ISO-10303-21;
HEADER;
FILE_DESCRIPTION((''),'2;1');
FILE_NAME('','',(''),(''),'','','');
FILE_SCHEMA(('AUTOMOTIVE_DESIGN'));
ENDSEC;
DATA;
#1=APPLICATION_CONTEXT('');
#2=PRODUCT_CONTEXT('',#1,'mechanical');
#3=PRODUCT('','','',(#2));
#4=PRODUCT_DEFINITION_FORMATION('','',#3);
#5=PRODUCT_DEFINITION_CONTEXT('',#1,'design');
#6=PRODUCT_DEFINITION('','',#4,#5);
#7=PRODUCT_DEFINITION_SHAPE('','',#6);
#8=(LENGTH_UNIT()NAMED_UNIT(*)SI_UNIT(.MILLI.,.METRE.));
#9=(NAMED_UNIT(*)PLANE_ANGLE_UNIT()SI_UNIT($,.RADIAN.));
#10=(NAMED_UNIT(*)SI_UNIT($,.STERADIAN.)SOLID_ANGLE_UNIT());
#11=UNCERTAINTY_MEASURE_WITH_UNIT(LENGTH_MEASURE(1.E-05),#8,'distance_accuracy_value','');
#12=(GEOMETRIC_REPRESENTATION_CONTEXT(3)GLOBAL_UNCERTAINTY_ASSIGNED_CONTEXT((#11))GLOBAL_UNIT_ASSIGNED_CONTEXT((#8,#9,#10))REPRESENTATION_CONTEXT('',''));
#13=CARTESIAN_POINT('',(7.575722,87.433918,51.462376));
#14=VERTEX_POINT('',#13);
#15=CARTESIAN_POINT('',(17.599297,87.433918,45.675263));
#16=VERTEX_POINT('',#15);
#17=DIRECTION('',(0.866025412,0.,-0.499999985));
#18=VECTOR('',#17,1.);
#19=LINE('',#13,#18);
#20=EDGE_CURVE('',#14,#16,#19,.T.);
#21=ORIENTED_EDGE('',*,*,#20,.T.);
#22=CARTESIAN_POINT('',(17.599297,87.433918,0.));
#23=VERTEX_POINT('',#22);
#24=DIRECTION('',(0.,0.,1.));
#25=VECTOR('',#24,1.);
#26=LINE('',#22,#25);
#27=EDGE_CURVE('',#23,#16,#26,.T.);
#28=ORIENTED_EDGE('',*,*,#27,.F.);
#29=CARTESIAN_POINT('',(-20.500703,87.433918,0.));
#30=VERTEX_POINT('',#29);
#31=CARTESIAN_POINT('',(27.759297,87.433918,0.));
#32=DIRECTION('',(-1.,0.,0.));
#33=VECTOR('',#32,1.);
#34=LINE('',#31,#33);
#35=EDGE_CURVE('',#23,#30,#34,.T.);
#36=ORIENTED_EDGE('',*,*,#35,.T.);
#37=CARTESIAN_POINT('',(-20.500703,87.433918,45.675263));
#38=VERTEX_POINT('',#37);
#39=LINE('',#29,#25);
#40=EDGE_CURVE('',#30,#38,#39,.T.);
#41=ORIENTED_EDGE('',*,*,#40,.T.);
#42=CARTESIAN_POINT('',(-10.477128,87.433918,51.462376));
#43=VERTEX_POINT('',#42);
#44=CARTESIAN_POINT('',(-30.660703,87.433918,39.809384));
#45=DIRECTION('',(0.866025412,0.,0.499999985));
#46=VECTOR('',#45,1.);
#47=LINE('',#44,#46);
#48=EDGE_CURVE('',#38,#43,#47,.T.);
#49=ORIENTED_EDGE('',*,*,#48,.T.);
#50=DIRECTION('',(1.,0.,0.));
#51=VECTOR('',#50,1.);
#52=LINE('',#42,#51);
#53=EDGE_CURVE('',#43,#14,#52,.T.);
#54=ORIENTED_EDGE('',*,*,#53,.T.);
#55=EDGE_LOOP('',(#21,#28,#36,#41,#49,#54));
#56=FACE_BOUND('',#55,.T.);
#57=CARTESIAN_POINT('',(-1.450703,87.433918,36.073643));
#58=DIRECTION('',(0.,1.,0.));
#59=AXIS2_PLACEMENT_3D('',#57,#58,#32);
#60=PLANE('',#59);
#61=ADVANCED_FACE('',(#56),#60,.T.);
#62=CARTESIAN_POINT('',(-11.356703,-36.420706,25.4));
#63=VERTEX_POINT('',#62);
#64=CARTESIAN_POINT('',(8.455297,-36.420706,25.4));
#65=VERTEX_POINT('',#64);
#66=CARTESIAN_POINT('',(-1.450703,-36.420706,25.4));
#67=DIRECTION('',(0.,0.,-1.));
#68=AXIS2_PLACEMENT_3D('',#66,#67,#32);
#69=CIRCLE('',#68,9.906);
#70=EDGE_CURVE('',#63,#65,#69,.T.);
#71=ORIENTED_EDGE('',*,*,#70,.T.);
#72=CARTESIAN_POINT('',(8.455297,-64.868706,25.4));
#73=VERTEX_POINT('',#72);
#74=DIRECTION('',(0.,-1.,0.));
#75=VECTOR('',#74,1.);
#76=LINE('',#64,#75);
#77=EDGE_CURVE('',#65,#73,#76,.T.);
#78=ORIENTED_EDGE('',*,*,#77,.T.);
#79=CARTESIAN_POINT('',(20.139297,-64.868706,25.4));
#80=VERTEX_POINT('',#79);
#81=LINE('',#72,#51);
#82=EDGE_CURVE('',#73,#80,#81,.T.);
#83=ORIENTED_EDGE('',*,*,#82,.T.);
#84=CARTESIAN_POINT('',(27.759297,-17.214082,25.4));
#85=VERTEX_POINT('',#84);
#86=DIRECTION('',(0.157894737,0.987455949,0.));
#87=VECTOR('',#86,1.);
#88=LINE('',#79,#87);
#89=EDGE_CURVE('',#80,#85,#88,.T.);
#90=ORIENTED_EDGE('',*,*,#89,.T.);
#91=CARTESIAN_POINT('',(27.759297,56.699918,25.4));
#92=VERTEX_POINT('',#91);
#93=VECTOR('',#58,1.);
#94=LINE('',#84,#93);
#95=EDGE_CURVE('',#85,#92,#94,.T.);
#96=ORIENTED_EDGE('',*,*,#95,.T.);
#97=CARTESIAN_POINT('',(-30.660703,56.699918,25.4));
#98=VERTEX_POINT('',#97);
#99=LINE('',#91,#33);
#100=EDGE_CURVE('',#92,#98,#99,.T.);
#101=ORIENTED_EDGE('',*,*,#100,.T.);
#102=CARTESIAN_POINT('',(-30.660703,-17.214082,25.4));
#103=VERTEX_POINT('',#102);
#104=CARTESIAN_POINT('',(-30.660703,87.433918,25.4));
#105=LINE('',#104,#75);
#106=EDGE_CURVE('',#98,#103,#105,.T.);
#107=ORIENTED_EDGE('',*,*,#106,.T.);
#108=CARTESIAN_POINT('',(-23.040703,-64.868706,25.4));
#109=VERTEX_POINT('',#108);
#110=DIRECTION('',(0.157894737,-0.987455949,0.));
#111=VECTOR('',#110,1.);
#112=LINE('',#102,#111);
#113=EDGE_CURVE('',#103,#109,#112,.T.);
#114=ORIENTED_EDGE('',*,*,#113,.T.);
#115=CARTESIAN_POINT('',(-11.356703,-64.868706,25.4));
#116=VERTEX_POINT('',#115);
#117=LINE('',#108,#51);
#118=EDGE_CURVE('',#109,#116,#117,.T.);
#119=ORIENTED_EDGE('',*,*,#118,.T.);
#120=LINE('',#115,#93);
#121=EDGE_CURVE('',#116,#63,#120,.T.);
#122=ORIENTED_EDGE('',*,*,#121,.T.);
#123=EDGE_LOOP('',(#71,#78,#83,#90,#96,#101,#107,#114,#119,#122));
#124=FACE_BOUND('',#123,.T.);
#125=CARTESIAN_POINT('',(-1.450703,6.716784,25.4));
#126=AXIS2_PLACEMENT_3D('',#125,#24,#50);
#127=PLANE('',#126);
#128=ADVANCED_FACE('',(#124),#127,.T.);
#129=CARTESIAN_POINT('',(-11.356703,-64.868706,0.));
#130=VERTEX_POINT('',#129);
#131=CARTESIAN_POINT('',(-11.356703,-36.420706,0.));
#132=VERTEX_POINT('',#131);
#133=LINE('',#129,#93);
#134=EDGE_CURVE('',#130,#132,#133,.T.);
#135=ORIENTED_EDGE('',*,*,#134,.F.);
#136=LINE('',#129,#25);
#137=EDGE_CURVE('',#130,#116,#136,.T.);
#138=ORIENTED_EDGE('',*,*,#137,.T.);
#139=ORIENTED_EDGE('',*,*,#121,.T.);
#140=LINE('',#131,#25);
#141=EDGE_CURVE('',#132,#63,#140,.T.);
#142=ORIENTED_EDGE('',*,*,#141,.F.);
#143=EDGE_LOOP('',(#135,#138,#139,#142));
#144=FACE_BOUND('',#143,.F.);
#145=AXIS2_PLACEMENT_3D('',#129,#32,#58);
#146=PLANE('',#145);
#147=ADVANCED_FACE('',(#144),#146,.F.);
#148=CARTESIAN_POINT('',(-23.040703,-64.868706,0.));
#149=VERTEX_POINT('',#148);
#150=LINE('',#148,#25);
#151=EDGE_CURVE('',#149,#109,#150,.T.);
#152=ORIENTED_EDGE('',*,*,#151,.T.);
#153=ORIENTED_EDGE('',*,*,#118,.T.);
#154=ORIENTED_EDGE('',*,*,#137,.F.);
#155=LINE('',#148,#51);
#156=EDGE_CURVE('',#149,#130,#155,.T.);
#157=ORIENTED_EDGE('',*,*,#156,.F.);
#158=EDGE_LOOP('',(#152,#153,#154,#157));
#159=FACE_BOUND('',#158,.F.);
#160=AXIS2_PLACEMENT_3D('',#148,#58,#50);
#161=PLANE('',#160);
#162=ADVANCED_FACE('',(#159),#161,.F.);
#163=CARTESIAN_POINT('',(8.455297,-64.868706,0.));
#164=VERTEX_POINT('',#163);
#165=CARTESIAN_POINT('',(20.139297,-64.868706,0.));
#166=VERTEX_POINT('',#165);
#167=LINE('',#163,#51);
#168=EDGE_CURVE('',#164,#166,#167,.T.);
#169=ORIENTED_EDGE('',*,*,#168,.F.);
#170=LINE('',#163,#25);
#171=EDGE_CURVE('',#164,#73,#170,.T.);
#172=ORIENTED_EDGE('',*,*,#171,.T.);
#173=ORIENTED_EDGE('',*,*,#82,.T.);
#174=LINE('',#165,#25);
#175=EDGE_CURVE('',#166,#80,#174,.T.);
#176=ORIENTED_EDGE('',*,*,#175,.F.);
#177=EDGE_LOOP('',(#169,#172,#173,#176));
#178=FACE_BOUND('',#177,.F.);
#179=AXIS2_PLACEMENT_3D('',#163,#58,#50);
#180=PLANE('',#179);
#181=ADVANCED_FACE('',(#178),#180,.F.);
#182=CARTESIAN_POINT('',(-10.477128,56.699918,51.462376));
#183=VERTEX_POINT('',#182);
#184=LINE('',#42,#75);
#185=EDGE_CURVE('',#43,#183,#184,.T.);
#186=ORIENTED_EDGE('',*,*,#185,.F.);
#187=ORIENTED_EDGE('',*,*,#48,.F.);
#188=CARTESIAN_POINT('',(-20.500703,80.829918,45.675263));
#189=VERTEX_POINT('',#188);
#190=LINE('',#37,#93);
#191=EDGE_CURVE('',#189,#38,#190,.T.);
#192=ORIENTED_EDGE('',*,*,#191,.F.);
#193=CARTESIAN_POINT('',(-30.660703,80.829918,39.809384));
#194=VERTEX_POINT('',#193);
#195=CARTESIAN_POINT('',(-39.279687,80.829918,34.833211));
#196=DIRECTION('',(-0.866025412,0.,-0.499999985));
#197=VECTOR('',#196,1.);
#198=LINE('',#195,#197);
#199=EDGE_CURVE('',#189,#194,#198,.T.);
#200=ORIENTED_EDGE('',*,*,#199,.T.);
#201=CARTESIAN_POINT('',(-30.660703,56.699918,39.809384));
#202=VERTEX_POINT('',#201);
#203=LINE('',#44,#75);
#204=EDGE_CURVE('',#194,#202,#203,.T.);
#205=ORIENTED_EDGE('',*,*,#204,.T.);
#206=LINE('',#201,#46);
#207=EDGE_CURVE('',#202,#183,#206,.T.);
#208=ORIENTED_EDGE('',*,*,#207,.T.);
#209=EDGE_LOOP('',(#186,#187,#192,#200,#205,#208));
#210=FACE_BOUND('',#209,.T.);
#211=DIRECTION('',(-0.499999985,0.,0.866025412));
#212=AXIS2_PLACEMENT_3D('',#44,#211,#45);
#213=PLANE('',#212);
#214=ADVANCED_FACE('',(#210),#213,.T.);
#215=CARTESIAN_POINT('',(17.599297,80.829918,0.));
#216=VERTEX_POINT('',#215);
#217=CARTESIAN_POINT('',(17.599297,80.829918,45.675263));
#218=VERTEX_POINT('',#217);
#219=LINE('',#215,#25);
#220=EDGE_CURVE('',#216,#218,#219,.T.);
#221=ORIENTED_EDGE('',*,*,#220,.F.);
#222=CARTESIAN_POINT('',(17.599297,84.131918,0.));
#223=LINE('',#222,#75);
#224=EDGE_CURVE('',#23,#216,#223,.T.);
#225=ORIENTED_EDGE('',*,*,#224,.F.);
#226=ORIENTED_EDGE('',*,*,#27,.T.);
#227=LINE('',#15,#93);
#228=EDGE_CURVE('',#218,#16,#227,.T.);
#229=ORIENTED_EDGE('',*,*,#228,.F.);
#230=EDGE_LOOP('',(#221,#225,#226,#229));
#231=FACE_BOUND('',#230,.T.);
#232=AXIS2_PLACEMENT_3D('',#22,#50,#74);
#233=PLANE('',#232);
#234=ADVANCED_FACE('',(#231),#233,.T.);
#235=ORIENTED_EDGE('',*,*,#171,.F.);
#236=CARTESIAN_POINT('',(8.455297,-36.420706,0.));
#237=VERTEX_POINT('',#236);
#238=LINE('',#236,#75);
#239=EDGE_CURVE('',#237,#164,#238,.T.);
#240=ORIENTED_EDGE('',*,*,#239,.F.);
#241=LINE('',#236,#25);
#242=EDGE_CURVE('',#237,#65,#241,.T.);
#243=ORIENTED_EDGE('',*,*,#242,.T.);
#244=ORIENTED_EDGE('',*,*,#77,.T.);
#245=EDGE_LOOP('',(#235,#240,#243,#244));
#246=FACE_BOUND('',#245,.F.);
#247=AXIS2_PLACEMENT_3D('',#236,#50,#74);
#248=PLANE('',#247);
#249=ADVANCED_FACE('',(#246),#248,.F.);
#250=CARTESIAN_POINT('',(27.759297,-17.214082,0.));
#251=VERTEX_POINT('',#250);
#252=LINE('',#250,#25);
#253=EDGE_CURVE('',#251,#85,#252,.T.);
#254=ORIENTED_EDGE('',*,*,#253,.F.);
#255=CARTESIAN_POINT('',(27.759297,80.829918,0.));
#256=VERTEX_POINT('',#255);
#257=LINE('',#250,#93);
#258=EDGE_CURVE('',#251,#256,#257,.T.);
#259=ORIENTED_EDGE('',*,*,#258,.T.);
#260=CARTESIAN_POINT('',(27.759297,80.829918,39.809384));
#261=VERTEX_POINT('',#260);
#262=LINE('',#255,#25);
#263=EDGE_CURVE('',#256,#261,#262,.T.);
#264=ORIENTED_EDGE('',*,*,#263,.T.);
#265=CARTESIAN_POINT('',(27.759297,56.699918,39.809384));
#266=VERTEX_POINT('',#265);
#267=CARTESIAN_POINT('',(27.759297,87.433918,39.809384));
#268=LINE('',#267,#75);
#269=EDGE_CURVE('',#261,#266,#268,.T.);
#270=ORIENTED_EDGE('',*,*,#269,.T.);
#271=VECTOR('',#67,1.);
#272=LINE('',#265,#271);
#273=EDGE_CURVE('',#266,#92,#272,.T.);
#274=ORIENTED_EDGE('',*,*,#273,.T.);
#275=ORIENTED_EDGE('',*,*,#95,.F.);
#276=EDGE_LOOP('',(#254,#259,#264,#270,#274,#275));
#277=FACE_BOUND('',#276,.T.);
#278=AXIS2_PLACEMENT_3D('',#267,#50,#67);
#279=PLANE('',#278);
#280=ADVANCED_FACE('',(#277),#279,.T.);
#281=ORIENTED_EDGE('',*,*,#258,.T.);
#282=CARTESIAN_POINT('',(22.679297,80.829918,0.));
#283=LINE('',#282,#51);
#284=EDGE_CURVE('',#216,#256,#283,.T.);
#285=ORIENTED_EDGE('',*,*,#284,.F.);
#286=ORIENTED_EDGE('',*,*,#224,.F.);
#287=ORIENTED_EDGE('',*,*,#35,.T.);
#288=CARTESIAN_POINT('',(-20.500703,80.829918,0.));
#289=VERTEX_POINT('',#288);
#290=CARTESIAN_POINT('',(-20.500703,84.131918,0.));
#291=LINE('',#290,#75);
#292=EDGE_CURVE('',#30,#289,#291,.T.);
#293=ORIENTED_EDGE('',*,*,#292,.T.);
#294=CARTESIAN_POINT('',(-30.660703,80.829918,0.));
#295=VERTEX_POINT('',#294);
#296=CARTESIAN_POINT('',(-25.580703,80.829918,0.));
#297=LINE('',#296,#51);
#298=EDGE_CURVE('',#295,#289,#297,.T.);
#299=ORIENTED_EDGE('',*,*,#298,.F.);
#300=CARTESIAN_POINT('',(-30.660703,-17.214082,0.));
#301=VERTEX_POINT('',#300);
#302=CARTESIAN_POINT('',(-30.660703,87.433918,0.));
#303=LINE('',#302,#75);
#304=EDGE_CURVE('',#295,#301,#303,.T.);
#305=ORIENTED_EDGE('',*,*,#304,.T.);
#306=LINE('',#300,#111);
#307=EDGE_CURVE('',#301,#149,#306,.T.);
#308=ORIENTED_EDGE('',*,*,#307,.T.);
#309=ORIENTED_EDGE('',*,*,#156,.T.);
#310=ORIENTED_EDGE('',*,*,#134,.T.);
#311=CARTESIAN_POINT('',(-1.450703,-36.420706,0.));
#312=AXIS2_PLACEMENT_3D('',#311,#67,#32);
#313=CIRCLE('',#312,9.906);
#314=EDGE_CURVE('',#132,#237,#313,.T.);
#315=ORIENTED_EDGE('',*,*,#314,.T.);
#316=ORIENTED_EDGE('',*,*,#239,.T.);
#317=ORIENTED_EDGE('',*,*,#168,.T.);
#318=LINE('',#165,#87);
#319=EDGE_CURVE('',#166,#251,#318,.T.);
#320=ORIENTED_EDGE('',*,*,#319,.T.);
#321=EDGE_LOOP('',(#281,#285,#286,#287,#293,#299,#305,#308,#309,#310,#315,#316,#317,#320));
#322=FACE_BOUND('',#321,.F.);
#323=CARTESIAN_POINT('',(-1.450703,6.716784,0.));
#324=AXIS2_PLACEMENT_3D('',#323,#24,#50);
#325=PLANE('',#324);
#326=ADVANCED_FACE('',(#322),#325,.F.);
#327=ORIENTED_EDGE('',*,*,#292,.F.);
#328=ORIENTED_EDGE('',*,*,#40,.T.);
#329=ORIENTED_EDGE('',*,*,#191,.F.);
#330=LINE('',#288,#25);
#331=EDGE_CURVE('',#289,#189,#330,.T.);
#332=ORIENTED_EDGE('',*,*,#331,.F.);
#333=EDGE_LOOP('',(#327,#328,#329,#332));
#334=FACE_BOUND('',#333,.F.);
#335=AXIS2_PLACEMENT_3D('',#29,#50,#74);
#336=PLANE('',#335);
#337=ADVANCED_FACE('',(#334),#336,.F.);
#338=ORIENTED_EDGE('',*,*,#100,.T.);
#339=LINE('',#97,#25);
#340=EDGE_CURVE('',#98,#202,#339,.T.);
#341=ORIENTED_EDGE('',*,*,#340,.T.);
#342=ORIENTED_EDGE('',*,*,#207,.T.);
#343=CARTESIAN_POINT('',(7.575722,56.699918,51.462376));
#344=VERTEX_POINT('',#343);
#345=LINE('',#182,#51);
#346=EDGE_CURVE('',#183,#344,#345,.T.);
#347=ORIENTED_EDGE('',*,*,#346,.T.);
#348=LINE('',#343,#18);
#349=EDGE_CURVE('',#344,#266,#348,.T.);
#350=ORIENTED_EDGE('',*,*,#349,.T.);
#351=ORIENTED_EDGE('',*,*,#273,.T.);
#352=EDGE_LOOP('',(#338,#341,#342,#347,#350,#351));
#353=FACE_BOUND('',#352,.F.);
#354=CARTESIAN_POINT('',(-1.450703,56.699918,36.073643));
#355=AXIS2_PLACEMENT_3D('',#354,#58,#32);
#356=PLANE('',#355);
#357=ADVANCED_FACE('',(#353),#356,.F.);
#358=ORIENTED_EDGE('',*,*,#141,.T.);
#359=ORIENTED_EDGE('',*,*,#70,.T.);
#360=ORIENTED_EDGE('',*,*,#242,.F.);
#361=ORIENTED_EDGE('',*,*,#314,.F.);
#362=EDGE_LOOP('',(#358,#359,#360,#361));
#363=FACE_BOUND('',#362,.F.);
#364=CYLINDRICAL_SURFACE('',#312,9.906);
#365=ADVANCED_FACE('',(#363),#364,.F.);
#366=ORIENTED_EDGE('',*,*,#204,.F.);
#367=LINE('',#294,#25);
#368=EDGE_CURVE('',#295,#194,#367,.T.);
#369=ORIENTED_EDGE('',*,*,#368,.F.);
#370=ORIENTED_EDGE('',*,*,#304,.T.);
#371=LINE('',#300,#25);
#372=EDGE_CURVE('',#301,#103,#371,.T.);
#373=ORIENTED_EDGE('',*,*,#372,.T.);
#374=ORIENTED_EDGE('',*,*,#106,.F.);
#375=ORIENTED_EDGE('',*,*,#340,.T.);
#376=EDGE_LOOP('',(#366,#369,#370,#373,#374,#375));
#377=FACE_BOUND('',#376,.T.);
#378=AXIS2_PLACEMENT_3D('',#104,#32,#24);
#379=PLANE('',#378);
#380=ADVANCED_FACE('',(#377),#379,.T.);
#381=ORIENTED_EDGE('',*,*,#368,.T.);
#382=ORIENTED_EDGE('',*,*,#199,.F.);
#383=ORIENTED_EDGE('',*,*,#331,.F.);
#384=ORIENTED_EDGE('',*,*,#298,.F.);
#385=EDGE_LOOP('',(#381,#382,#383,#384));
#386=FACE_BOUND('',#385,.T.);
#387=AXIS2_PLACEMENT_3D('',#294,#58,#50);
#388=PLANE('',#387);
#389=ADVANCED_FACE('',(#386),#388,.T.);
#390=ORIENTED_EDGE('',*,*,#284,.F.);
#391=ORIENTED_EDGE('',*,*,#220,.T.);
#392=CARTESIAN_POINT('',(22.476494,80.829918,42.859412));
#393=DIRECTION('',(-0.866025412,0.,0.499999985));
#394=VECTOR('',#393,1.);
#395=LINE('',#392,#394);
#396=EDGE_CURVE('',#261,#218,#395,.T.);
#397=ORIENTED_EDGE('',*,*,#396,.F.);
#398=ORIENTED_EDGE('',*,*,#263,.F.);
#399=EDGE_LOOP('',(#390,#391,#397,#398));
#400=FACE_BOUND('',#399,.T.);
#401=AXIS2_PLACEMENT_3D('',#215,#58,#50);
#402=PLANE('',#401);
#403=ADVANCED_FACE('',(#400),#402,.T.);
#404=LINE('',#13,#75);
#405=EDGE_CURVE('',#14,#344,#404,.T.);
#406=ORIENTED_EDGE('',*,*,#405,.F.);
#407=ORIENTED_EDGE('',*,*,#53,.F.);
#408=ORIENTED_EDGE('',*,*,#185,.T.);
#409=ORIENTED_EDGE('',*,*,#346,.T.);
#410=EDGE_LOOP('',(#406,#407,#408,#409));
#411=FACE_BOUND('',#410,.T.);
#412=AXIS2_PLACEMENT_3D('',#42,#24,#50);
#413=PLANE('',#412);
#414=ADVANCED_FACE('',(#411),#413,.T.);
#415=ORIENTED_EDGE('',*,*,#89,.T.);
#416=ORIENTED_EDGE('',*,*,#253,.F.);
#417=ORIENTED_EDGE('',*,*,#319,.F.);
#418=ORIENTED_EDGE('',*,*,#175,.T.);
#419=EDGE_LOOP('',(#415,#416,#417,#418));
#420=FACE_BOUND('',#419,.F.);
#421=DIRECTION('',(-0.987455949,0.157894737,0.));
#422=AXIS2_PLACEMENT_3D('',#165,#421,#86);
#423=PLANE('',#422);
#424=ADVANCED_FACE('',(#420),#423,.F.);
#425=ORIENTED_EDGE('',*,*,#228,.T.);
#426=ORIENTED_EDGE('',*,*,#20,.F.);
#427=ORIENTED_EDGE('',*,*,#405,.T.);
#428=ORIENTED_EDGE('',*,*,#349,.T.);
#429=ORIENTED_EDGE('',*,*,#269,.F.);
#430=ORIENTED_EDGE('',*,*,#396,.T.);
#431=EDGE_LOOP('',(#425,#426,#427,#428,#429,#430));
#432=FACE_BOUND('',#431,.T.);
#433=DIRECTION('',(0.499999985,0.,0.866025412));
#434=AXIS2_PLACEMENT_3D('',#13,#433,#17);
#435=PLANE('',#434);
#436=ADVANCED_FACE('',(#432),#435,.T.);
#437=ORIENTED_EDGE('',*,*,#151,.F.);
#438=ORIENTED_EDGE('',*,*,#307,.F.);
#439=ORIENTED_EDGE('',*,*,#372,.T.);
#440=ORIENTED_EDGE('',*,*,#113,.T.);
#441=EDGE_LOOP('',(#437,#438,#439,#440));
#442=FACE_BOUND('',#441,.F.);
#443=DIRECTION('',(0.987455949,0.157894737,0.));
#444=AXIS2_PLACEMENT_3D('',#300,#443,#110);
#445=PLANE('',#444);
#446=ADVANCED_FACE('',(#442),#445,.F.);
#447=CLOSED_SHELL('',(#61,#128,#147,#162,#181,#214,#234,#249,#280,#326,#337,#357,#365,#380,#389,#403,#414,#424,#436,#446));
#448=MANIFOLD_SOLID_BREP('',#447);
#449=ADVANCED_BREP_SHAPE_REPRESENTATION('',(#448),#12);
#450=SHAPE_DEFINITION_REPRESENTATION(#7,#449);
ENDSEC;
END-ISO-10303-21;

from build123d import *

# Parameters (mm, degrees)
F1_DEPTH = 25.4
F3_DEPTH = 30.734
F4_W     = 10.16
F4_H     = 6.604
F5_DEPTH = 51.463376
F6_W     = 10.16
F6_H     = 6.604
F7_DEPTH = 51.463376


with BuildPart() as f1:
    # F0 (on Top) → F1 (new body)
    with BuildSketch(Plane.XY):
        with BuildLine():
            Line((27.759297, 87.433918), (-30.660703, 87.433918))
            Line((-30.660703, 87.433918), (-30.660703, -17.214082))
            Line((-30.660703, -17.214082), (-23.040703, -64.868706))
            Line((-23.040703, -64.868706), (-11.356703, -64.868706))
            Line((-11.356703, -64.868706), (-11.356703, -36.420706))
            ThreePointArc((-11.356703, -36.420706), (-1.450703, -26.514706), (8.455297, -36.420706))
            Line((8.455297, -36.420706), (8.455297, -64.868706))
            Line((8.455297, -64.868706), (20.139297, -64.868706))
            Line((20.139297, -64.868706), (27.759297, -17.214082))
            Line((27.759297, -17.214082), (27.759297, 87.433918))
        make_face()
    extrude(amount=F1_DEPTH)

    # F2 (on face) → F3 (join)
    with BuildSketch(Plane(origin=(0, 87.433918, 0), x_dir=(-1, 0, 0), z_dir=(0, 1, 0))):
        Polygon((10.477128, 51.462376), (-7.575722, 51.462376), (-27.759297, 39.809384), (-27.759297, 25.4), (30.660703, 25.4), (30.660703, 39.809384), align=None)
    extrude(amount=-F3_DEPTH)

    # F4 (on face) → F5 (cut, through all)
    with BuildSketch(Plane(origin=(0, 0, 0), x_dir=(1, 0, 0), z_dir=(0, 0, -1))):
        with Locations((-25.580703, -84.131918)):
            Rectangle(F4_W, F4_H)
    extrude(amount=-F5_DEPTH, mode=Mode.SUBTRACT)

    # F6 (on face) → F7 (cut, through all)
    with BuildSketch(Plane(origin=(0, 0, 0), x_dir=(1, 0, 0), z_dir=(0, 0, -1))):
        with Locations((22.679297, -84.131918)):
            Rectangle(F6_W, F6_H)
    extrude(amount=-F7_DEPTH, mode=Mode.SUBTRACT)


solid = f1.part
